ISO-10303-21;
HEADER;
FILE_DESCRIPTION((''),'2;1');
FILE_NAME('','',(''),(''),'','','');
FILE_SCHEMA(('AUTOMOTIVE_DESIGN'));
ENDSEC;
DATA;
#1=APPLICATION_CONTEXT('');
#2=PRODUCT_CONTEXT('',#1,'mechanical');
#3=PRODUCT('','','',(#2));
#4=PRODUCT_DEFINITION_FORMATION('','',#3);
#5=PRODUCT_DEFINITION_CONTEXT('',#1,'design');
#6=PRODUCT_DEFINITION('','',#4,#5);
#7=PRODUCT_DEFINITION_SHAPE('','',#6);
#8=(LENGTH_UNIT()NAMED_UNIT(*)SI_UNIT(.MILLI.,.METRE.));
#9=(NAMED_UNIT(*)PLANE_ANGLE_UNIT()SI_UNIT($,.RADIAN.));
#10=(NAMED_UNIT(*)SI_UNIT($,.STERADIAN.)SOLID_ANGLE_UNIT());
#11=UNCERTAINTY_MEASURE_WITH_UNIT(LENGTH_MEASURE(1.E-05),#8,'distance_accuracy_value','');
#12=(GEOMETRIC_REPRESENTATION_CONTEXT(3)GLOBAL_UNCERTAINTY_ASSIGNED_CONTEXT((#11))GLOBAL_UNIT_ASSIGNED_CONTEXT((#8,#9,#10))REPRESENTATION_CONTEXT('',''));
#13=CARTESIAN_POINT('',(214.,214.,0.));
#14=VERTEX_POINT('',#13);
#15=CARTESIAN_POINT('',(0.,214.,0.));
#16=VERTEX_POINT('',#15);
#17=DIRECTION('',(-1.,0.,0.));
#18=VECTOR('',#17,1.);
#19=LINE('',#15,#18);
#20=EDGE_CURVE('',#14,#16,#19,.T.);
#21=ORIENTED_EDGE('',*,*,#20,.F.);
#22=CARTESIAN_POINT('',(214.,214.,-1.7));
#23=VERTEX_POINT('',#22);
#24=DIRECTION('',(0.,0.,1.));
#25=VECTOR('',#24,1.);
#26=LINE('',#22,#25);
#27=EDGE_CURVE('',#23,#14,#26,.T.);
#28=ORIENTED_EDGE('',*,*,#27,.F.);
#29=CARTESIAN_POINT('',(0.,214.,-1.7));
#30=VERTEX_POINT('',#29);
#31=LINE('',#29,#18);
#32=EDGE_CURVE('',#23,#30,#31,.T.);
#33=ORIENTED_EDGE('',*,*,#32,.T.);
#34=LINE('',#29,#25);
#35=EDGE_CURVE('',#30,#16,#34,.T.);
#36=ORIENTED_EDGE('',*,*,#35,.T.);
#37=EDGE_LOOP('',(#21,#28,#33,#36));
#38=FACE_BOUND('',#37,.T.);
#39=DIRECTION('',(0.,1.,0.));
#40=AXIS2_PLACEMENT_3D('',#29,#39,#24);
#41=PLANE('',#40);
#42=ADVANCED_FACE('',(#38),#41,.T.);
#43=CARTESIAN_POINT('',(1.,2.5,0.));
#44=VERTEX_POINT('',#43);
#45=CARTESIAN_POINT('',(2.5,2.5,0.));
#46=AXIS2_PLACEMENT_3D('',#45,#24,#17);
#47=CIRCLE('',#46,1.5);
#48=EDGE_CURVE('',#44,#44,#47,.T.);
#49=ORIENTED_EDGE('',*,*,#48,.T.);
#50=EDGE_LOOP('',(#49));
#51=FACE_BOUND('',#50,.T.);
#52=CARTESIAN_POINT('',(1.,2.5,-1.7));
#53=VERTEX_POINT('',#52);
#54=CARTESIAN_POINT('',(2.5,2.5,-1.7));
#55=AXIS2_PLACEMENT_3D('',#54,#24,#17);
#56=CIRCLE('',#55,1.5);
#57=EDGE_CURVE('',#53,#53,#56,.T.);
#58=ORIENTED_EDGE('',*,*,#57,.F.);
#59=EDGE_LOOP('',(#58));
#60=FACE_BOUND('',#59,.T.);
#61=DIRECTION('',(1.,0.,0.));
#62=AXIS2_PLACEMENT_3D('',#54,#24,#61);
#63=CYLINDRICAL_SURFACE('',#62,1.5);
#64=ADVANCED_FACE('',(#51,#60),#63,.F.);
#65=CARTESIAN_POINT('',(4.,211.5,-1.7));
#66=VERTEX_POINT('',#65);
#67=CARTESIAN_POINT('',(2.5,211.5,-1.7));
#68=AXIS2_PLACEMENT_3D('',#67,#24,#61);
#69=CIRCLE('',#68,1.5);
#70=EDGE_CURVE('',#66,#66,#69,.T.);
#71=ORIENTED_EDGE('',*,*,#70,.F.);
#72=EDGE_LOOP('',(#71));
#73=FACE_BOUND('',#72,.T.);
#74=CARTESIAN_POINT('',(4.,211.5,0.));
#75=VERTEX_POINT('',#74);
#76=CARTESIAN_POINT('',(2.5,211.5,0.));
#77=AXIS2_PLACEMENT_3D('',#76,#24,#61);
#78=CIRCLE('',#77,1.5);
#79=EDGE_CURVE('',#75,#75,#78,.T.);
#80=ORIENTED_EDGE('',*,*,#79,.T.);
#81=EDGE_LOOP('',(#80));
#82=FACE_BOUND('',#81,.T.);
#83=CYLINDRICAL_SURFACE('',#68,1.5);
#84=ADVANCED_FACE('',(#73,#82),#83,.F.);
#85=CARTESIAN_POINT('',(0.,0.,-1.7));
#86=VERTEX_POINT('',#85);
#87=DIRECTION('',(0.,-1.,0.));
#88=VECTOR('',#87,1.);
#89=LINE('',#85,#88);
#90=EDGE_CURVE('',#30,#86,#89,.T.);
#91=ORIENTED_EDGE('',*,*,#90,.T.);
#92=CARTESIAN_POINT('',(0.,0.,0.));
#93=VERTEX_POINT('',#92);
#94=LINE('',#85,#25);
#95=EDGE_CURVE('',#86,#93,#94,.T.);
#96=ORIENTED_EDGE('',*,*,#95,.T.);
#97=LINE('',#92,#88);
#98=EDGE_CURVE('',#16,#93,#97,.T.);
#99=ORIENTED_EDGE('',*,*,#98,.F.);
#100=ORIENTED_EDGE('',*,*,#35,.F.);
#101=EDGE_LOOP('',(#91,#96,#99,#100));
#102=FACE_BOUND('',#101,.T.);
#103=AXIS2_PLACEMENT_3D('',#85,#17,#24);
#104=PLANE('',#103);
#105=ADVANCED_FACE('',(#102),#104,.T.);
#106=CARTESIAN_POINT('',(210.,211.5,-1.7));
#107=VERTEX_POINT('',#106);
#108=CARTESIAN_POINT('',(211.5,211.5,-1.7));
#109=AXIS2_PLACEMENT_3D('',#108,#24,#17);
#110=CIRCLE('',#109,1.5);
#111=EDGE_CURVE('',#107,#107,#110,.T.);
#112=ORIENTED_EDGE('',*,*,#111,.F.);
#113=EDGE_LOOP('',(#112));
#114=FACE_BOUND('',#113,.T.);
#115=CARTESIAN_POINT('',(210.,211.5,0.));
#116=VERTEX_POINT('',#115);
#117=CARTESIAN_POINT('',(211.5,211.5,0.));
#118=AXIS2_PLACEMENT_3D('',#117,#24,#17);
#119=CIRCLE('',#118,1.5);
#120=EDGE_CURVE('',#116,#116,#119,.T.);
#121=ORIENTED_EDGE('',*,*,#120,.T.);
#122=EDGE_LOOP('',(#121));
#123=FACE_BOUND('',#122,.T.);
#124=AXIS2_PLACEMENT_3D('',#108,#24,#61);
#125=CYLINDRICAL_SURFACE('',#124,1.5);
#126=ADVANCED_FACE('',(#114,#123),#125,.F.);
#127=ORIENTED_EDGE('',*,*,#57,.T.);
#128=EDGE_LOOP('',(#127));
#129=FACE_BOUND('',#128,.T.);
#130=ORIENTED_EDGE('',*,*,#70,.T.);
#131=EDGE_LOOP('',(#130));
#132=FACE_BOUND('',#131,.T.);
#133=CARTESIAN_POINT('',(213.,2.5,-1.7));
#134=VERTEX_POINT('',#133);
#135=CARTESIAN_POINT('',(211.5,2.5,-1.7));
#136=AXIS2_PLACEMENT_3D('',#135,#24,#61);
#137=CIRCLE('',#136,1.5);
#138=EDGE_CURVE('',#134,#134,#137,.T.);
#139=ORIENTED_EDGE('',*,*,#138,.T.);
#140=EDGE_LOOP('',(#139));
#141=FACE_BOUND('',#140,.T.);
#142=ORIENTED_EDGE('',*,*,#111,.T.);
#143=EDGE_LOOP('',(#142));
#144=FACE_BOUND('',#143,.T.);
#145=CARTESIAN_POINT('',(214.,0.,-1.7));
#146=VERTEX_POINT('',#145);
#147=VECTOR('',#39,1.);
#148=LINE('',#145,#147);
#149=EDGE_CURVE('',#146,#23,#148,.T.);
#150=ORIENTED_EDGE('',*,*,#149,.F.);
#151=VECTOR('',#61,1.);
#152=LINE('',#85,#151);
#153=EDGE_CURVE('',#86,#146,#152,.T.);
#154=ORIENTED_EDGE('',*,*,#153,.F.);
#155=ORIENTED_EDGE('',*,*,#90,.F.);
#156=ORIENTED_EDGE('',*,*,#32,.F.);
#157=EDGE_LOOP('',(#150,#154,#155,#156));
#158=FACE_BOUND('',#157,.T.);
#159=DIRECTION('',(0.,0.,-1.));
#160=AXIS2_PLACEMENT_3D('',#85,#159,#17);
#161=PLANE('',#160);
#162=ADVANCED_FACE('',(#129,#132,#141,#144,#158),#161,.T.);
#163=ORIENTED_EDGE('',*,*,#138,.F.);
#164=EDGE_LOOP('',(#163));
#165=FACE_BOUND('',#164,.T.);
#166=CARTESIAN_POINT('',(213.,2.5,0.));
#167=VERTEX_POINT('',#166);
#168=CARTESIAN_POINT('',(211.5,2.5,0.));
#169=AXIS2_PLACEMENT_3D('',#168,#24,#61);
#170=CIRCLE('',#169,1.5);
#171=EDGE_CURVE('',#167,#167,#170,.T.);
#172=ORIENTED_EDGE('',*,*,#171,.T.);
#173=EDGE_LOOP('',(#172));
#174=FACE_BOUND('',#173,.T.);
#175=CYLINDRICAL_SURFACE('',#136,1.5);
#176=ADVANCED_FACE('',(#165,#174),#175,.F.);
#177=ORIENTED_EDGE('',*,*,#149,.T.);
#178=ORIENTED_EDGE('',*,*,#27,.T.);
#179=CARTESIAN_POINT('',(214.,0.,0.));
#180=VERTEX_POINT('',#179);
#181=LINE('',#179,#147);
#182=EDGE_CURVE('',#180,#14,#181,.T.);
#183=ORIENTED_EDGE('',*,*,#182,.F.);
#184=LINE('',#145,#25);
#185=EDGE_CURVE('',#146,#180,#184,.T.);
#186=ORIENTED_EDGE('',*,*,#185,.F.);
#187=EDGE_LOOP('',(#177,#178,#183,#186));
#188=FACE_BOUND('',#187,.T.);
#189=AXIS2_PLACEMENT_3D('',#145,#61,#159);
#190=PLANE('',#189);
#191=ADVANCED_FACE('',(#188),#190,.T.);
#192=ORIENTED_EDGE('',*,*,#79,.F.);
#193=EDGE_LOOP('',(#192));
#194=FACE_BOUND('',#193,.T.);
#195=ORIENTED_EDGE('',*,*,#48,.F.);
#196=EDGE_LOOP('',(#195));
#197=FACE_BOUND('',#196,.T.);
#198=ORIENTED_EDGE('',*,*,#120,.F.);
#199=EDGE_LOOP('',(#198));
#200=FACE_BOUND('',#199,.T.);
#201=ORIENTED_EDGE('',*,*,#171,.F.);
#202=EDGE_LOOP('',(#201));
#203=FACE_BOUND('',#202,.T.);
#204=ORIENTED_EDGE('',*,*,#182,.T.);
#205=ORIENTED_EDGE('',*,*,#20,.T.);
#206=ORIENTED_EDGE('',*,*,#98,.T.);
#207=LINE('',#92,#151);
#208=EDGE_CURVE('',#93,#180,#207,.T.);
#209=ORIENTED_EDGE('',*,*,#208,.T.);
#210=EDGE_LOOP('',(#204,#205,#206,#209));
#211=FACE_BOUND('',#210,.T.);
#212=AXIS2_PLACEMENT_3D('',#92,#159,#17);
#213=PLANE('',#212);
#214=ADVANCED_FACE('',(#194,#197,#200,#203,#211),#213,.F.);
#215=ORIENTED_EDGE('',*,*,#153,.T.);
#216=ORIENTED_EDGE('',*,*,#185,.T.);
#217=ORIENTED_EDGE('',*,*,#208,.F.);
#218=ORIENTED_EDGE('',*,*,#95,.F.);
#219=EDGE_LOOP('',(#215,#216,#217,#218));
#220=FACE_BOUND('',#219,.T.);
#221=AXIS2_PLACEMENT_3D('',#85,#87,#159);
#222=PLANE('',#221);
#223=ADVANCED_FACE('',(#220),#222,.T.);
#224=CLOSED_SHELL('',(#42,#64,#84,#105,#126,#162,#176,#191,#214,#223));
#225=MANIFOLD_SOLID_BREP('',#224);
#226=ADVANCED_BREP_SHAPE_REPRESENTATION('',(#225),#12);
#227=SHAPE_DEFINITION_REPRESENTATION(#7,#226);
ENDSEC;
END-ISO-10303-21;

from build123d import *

# Parameters (mm, degrees)
SCHIZZO2_W                   = 214
SCHIZZO2_H                   = 214
SCHIZZO2_R                   = 1.5
ESTRUSIONE_ESTRUSIONE2_DEPTH = 1.7


with BuildPart() as part:
    # Schizzo2 → Estrusione-Estrusione2 (new body)
    with BuildSketch(Plane.XY):
        with Locations((107, 107)):
            Rectangle(SCHIZZO2_W, SCHIZZO2_H)
        with Locations((2.5, 211.5)):
            Circle(SCHIZZO2_R, mode=Mode.SUBTRACT)
        with Locations((211.5, 211.5)):
            Circle(SCHIZZO2_R, mode=Mode.SUBTRACT)
        with Locations((211.5, 2.5)):
            Circle(SCHIZZO2_R, mode=Mode.SUBTRACT)
        with Locations((2.5, 2.5)):
            Circle(SCHIZZO2_R, mode=Mode.SUBTRACT)
    extrude(amount=-ESTRUSIONE_ESTRUSIONE2_DEPTH)


solid = part.part
